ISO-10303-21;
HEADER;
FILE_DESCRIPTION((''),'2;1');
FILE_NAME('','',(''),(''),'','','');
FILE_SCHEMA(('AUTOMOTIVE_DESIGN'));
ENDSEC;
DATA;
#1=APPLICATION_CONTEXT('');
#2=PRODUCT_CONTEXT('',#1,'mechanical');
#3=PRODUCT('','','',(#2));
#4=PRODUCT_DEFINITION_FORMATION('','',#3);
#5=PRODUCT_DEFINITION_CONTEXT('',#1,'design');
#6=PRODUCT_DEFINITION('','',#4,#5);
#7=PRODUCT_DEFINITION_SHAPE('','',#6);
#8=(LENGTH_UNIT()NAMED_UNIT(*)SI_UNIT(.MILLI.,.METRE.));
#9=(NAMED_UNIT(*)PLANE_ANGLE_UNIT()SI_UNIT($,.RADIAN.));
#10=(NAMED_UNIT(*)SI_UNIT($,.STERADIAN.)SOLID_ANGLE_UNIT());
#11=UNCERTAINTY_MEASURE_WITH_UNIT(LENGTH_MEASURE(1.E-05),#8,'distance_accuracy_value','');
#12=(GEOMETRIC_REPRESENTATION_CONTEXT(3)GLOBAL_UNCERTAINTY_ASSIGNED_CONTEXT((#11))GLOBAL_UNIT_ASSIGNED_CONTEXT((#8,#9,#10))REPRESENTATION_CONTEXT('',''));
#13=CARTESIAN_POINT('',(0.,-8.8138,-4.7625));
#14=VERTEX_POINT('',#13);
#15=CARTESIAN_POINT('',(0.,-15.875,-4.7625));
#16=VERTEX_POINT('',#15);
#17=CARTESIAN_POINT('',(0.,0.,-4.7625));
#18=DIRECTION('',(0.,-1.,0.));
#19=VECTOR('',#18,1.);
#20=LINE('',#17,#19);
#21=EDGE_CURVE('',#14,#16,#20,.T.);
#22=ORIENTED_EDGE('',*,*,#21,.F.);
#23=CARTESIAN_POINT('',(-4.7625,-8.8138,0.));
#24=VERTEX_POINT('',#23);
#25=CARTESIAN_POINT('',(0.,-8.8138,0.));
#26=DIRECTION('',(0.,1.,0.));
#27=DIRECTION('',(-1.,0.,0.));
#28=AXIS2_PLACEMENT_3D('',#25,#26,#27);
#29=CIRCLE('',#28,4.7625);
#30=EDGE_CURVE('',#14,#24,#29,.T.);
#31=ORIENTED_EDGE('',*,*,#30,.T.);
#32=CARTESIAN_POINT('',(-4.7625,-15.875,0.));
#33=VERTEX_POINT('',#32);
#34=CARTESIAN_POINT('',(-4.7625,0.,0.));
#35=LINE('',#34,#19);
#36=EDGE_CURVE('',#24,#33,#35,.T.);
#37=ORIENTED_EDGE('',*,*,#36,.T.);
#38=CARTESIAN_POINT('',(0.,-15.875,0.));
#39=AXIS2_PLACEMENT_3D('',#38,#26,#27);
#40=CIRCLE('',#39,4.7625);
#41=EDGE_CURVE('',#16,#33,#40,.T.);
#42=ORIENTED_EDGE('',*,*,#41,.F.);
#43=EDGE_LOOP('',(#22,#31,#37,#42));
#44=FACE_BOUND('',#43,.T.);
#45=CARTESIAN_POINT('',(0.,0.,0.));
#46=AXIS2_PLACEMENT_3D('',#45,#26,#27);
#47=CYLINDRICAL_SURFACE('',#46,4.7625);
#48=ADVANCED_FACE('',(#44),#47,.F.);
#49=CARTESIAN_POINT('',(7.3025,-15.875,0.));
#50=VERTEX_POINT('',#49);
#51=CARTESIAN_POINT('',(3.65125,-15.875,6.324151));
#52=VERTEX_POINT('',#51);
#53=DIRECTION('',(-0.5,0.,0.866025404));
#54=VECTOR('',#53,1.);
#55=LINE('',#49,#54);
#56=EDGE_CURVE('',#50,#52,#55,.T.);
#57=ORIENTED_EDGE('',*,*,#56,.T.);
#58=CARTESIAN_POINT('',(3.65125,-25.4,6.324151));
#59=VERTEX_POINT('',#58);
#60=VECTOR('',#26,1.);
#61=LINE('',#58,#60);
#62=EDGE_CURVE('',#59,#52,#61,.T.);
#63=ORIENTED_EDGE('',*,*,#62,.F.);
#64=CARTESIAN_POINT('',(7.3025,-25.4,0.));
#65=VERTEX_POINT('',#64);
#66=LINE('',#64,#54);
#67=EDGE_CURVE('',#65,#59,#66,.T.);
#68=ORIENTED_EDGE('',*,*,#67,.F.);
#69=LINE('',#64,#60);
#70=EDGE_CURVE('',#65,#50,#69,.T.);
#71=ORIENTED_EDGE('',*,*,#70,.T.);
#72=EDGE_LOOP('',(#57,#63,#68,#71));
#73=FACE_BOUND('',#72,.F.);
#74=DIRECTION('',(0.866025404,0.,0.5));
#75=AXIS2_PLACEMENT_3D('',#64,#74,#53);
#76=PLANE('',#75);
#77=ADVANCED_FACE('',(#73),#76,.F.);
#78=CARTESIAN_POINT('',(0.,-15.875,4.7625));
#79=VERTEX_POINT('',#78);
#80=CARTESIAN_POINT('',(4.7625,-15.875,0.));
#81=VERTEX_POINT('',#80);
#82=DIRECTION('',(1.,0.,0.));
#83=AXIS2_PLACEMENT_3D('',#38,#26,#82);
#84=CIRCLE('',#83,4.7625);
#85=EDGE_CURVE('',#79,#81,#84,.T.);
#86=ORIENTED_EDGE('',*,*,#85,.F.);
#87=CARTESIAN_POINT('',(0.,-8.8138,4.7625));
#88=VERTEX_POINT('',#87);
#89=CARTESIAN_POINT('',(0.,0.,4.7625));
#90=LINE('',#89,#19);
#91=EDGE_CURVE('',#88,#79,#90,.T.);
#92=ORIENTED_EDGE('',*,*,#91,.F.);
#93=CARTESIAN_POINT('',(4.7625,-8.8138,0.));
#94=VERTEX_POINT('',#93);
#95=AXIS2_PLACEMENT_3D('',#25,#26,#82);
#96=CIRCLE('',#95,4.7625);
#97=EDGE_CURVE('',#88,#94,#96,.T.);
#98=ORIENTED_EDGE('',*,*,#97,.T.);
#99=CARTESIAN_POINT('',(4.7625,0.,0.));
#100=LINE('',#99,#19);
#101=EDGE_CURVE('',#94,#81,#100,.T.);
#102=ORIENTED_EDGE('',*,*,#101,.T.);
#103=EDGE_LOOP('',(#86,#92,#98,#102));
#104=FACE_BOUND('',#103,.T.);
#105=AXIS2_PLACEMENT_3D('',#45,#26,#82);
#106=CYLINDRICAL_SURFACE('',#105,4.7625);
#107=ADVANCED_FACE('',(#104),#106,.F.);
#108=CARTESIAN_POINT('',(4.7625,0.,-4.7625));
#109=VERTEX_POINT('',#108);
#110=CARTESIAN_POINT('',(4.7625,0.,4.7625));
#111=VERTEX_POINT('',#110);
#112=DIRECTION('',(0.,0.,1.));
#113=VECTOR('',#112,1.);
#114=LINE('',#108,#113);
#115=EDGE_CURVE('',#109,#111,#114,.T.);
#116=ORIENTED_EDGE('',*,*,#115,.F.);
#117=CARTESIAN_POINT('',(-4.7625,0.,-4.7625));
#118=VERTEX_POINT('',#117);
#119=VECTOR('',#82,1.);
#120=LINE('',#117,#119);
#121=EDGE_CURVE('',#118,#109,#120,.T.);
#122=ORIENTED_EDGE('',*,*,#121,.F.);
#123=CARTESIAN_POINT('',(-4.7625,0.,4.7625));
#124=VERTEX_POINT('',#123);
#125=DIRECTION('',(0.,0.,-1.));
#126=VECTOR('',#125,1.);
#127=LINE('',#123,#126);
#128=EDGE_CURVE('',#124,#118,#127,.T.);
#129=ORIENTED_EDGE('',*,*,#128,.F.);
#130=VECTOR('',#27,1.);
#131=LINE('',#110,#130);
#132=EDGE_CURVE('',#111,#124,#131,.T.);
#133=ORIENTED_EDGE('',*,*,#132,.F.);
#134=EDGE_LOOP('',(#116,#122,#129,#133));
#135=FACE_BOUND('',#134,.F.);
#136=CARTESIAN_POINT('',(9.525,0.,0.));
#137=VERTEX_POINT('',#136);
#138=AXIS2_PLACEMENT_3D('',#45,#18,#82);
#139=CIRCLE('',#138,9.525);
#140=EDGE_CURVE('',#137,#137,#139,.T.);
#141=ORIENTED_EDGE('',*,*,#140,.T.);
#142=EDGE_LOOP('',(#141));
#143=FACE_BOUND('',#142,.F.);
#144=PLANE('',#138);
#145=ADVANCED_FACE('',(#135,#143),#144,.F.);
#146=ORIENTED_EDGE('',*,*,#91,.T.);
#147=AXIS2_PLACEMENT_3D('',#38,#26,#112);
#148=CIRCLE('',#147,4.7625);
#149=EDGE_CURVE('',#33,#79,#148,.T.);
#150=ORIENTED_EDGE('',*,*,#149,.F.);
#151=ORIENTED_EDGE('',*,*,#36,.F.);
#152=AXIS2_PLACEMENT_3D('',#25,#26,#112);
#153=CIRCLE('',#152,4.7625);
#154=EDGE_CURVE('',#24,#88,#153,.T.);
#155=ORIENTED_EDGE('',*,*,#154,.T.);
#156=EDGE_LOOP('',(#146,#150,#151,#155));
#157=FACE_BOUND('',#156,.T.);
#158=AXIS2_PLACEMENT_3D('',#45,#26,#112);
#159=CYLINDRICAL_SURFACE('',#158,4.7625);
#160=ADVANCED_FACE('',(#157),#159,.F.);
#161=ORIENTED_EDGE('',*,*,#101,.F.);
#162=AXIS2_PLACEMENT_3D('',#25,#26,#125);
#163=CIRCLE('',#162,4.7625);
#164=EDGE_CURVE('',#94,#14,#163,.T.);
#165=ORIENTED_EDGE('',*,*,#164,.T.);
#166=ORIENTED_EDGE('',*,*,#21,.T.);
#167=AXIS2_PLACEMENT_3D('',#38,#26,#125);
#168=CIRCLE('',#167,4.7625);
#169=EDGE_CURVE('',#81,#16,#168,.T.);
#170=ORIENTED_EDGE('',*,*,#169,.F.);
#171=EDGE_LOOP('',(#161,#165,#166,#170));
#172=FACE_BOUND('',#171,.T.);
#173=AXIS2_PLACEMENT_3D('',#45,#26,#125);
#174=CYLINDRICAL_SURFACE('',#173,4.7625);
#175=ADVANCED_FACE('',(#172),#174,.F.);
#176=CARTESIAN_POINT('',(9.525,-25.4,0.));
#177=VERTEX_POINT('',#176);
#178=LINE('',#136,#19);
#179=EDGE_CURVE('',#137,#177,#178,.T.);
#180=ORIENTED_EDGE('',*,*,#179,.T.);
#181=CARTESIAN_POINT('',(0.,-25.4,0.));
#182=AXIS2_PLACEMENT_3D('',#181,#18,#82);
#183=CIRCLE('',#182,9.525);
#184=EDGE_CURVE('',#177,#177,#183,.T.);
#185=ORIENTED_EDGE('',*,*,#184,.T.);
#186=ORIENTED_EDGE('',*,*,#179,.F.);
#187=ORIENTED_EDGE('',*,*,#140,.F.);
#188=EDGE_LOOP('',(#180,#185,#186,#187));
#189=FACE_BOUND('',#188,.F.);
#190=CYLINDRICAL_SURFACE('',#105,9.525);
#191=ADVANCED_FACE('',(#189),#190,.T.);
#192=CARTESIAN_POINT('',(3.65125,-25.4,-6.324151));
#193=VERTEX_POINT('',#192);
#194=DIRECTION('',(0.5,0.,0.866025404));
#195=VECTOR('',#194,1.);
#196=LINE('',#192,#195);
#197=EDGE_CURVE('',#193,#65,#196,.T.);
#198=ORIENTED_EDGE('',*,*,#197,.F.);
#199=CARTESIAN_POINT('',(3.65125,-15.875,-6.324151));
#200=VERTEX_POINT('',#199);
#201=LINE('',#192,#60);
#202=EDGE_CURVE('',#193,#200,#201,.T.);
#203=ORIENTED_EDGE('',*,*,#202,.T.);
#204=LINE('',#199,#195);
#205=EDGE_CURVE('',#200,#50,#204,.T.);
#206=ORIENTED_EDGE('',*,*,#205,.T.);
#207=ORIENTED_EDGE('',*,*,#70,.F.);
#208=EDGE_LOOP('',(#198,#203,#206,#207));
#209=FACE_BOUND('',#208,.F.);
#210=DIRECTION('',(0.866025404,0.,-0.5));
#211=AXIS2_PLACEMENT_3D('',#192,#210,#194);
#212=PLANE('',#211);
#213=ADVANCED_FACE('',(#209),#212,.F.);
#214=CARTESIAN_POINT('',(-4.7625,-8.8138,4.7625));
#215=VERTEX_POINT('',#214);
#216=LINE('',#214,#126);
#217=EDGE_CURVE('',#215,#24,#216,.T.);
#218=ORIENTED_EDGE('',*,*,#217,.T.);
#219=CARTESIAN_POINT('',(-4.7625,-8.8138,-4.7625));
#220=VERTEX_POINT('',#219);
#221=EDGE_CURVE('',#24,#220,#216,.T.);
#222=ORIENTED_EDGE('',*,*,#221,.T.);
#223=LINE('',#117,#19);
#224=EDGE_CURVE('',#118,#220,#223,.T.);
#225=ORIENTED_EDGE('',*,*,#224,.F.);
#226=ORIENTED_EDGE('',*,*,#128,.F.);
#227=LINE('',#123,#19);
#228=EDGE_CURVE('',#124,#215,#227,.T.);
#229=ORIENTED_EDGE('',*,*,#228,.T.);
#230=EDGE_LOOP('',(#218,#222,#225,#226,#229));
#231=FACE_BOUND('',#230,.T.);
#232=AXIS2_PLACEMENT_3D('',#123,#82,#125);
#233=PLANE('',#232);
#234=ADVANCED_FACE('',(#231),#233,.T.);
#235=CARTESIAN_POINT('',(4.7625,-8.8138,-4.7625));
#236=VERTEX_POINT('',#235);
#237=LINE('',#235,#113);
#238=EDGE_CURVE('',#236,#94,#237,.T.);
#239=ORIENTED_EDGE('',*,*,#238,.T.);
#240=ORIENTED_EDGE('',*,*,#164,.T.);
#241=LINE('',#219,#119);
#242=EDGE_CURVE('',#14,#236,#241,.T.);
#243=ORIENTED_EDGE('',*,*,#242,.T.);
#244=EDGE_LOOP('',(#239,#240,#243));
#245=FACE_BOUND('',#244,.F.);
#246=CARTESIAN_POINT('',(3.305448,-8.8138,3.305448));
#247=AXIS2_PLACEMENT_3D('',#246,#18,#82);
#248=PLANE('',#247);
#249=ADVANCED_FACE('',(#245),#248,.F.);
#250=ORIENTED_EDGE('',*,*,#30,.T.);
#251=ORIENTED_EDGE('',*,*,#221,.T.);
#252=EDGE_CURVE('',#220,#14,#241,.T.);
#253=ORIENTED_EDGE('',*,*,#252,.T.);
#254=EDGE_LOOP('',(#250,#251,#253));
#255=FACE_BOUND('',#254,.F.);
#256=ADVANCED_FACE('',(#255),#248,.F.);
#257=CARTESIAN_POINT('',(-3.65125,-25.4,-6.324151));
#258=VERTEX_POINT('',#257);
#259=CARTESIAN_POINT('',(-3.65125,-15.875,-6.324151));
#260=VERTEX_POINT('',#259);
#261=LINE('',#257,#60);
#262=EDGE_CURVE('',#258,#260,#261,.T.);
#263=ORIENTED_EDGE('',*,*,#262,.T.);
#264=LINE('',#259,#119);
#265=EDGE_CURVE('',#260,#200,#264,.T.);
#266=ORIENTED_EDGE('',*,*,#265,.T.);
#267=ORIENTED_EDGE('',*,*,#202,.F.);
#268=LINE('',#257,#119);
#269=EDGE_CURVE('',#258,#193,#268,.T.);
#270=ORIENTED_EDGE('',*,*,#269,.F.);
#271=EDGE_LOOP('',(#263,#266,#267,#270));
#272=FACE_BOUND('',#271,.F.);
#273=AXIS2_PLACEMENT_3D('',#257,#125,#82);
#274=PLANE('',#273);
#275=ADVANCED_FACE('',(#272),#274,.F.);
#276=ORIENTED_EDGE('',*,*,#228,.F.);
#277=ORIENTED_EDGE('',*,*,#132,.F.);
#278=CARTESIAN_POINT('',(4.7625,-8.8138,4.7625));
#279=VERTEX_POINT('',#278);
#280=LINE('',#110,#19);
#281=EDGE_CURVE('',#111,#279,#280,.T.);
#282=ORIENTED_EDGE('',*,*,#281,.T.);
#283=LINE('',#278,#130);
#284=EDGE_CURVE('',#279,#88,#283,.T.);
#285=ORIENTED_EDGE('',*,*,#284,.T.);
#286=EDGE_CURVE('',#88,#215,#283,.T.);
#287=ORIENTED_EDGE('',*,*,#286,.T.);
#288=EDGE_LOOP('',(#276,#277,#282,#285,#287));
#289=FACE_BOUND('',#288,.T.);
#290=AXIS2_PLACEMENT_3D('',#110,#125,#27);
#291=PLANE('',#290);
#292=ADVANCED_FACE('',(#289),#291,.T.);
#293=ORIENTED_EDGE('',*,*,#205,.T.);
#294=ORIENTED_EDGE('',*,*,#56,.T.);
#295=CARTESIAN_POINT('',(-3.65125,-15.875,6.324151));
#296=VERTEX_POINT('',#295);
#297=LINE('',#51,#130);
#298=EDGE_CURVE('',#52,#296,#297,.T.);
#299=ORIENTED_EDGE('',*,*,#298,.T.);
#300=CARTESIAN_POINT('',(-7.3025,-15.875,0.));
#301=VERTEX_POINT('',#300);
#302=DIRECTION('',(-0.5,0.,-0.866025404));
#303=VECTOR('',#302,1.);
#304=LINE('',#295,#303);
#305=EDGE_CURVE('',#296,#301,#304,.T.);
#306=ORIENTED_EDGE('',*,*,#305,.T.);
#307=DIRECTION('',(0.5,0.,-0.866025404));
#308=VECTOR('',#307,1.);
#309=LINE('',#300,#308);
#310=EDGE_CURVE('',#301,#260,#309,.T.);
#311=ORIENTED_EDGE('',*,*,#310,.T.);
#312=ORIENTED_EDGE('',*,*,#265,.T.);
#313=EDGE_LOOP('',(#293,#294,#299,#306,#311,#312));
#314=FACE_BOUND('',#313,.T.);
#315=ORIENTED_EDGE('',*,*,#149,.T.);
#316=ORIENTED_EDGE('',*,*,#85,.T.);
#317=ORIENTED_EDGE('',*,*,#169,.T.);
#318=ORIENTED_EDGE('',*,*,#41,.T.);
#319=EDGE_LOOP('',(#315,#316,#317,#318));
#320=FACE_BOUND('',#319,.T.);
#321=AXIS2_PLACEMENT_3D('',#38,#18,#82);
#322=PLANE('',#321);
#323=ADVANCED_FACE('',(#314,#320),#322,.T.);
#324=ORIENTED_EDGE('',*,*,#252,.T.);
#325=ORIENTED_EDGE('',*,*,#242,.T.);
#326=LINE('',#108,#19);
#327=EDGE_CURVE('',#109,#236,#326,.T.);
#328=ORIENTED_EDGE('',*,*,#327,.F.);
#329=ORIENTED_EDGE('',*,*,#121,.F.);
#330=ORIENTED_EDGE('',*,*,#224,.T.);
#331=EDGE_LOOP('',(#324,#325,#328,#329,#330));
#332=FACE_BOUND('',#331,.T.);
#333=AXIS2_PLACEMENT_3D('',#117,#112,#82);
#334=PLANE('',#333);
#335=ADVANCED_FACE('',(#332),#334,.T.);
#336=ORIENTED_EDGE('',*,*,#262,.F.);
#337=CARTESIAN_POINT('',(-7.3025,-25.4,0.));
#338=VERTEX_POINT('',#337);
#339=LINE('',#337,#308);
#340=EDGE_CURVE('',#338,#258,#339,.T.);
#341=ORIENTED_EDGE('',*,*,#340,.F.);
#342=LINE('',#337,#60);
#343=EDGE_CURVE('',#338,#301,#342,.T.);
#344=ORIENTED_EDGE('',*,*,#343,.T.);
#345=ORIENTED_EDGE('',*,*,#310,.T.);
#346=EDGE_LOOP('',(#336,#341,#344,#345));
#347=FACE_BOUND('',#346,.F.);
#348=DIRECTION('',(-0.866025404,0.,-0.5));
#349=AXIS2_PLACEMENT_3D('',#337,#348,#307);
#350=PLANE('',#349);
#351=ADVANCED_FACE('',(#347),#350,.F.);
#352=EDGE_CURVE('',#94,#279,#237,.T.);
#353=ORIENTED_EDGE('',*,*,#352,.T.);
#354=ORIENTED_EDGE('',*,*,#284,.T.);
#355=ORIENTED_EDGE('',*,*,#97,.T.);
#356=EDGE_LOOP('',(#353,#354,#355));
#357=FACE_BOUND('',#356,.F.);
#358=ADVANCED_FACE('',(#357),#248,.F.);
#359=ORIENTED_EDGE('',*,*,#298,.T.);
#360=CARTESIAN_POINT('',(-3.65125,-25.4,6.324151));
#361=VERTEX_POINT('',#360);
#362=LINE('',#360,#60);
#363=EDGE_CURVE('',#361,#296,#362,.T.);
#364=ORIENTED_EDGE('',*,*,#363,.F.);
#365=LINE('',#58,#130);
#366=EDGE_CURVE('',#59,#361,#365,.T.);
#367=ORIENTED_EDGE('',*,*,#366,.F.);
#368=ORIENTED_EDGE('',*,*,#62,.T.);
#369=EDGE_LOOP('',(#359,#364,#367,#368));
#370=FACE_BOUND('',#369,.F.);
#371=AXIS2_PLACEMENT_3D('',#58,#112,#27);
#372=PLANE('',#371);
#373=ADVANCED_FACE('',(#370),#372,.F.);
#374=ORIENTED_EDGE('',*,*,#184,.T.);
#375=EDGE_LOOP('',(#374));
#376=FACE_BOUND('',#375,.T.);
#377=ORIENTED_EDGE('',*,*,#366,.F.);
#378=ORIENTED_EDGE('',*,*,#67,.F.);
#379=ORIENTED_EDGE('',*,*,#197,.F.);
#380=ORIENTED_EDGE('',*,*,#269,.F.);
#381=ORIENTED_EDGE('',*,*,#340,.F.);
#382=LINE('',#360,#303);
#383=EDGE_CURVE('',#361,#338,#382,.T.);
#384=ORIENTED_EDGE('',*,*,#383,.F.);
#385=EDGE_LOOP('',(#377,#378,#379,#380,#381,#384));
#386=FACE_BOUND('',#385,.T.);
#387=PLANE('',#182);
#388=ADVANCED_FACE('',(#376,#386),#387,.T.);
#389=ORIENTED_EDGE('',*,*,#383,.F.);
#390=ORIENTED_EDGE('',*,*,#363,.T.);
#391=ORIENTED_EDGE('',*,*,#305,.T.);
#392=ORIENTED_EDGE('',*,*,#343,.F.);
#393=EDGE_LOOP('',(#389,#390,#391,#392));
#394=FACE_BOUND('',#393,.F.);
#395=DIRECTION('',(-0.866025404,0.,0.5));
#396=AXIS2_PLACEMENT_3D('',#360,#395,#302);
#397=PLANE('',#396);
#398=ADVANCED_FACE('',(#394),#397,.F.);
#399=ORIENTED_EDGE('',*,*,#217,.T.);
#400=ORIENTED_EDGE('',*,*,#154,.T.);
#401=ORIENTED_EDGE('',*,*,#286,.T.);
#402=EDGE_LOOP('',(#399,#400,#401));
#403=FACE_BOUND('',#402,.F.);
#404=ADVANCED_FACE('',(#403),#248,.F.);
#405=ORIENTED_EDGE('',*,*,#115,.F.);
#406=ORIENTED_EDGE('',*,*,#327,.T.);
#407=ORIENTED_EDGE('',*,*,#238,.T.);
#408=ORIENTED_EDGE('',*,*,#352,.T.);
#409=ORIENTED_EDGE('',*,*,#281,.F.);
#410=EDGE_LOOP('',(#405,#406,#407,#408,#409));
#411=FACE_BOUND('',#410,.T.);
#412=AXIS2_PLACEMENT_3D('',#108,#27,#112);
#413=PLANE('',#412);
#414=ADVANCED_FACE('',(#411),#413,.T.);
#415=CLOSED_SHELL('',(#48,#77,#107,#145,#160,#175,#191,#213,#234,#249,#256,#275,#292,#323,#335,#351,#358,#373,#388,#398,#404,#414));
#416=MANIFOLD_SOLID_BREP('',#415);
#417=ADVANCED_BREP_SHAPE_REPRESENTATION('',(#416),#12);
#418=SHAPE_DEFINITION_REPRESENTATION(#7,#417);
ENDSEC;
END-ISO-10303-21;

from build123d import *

# Parameters (mm, degrees)
F0_R        = 9.525
F1_DEPTH    = 25.4
F3_DEPTH    = 25.4
F1_FACE_R   = 9.525
F1_FACE_R_2 = 4.7625
F4_DEPTH    = 8.8138
F6_DEPTH    = 9.525


with BuildPart() as f1:
    # F0 (on Front) → F1 (new body)
    with BuildSketch(Plane.XZ):
        Circle(F0_R)
    extrude(amount=F1_DEPTH)

    # F2 (on Front) → F3 (cut)
    with BuildSketch(Plane.XZ):
        with BuildLine():
            ThreePointArc((4.7625, 0), (3.3675960454, 3.3675960454), (0, 4.7625))
            ThreePointArc((0, 4.7625), (-3.3675960454, 3.3675960454), (-4.7625, 0))
            ThreePointArc((-4.7625, 0), (-3.3675960454, -3.3675960454), (0, -4.7625))
            ThreePointArc((0, -4.7625), (3.3675960454, -3.3675960454), (4.7625, 0))
        make_face()
    extrude(amount=F3_DEPTH, mode=Mode.SUBTRACT)

    # F2 (on Front) + F1_face (on face) → F4 (cut)
    with BuildSketch(Plane.XZ):
        with BuildLine():
            Line((4.7625, 0), (4.7625, 4.7625))
            Line((4.7625, 4.7625), (0, 4.7625))
            ThreePointArc((0, 4.7625), (3.3675960454, 3.3675960454), (4.7625, 0))
        make_face()
        with BuildLine():
            ThreePointArc((-4.7625, 0), (-3.3675960454, 3.3675960454), (0, 4.7625))
            Line((0, 4.7625), (-4.7625, 4.7625))
            Line((-4.7625, 4.7625), (-4.7625, 0))
        make_face()
        with BuildLine():
            ThreePointArc((4.7625, 0), (3.3675960454, 3.3675960454), (0, 4.7625))
            ThreePointArc((0, 4.7625), (-3.3675960454, 3.3675960454), (-4.7625, 0))
            ThreePointArc((-4.7625, 0), (-3.3675960454, -3.3675960454), (0, -4.7625))
            ThreePointArc((0, -4.7625), (3.3675960454, -3.3675960454), (4.7625, 0))
        make_face()
        with BuildLine():
            Line((4.7625, -4.7625), (4.7625, 0))
            ThreePointArc((4.7625, 0), (3.3675960454, -3.3675960454), (0, -4.7625))
            Line((0, -4.7625), (4.7625, -4.7625))
        make_face()
        with BuildLine():
            ThreePointArc((0, -4.7625), (-3.3675960454, -3.3675960454), (-4.7625, 0))
            Line((-4.7625, 0), (-4.7625, -4.7625))
            Line((-4.7625, -4.7625), (0, -4.7625))
        make_face()
    with BuildSketch(Plane.XZ.offset(25.4)):
        Circle(F1_FACE_R)
        Circle(F1_FACE_R_2, mode=Mode.SUBTRACT)
    extrude(amount=F4_DEPTH, mode=Mode.SUBTRACT)

    # F5 (on face) → F6 (cut)
    with BuildSketch(Plane.XZ.offset(25.4)):
        Polygon((-3.65125, -6.3241505111), (3.65125, -6.3241505111), (7.3025, 0), (3.65125, 6.3241505111), (-3.65125, 6.3241505111), (-7.3025, 0), align=None)
    extrude(amount=-F6_DEPTH, mode=Mode.SUBTRACT)


solid = f1.part
